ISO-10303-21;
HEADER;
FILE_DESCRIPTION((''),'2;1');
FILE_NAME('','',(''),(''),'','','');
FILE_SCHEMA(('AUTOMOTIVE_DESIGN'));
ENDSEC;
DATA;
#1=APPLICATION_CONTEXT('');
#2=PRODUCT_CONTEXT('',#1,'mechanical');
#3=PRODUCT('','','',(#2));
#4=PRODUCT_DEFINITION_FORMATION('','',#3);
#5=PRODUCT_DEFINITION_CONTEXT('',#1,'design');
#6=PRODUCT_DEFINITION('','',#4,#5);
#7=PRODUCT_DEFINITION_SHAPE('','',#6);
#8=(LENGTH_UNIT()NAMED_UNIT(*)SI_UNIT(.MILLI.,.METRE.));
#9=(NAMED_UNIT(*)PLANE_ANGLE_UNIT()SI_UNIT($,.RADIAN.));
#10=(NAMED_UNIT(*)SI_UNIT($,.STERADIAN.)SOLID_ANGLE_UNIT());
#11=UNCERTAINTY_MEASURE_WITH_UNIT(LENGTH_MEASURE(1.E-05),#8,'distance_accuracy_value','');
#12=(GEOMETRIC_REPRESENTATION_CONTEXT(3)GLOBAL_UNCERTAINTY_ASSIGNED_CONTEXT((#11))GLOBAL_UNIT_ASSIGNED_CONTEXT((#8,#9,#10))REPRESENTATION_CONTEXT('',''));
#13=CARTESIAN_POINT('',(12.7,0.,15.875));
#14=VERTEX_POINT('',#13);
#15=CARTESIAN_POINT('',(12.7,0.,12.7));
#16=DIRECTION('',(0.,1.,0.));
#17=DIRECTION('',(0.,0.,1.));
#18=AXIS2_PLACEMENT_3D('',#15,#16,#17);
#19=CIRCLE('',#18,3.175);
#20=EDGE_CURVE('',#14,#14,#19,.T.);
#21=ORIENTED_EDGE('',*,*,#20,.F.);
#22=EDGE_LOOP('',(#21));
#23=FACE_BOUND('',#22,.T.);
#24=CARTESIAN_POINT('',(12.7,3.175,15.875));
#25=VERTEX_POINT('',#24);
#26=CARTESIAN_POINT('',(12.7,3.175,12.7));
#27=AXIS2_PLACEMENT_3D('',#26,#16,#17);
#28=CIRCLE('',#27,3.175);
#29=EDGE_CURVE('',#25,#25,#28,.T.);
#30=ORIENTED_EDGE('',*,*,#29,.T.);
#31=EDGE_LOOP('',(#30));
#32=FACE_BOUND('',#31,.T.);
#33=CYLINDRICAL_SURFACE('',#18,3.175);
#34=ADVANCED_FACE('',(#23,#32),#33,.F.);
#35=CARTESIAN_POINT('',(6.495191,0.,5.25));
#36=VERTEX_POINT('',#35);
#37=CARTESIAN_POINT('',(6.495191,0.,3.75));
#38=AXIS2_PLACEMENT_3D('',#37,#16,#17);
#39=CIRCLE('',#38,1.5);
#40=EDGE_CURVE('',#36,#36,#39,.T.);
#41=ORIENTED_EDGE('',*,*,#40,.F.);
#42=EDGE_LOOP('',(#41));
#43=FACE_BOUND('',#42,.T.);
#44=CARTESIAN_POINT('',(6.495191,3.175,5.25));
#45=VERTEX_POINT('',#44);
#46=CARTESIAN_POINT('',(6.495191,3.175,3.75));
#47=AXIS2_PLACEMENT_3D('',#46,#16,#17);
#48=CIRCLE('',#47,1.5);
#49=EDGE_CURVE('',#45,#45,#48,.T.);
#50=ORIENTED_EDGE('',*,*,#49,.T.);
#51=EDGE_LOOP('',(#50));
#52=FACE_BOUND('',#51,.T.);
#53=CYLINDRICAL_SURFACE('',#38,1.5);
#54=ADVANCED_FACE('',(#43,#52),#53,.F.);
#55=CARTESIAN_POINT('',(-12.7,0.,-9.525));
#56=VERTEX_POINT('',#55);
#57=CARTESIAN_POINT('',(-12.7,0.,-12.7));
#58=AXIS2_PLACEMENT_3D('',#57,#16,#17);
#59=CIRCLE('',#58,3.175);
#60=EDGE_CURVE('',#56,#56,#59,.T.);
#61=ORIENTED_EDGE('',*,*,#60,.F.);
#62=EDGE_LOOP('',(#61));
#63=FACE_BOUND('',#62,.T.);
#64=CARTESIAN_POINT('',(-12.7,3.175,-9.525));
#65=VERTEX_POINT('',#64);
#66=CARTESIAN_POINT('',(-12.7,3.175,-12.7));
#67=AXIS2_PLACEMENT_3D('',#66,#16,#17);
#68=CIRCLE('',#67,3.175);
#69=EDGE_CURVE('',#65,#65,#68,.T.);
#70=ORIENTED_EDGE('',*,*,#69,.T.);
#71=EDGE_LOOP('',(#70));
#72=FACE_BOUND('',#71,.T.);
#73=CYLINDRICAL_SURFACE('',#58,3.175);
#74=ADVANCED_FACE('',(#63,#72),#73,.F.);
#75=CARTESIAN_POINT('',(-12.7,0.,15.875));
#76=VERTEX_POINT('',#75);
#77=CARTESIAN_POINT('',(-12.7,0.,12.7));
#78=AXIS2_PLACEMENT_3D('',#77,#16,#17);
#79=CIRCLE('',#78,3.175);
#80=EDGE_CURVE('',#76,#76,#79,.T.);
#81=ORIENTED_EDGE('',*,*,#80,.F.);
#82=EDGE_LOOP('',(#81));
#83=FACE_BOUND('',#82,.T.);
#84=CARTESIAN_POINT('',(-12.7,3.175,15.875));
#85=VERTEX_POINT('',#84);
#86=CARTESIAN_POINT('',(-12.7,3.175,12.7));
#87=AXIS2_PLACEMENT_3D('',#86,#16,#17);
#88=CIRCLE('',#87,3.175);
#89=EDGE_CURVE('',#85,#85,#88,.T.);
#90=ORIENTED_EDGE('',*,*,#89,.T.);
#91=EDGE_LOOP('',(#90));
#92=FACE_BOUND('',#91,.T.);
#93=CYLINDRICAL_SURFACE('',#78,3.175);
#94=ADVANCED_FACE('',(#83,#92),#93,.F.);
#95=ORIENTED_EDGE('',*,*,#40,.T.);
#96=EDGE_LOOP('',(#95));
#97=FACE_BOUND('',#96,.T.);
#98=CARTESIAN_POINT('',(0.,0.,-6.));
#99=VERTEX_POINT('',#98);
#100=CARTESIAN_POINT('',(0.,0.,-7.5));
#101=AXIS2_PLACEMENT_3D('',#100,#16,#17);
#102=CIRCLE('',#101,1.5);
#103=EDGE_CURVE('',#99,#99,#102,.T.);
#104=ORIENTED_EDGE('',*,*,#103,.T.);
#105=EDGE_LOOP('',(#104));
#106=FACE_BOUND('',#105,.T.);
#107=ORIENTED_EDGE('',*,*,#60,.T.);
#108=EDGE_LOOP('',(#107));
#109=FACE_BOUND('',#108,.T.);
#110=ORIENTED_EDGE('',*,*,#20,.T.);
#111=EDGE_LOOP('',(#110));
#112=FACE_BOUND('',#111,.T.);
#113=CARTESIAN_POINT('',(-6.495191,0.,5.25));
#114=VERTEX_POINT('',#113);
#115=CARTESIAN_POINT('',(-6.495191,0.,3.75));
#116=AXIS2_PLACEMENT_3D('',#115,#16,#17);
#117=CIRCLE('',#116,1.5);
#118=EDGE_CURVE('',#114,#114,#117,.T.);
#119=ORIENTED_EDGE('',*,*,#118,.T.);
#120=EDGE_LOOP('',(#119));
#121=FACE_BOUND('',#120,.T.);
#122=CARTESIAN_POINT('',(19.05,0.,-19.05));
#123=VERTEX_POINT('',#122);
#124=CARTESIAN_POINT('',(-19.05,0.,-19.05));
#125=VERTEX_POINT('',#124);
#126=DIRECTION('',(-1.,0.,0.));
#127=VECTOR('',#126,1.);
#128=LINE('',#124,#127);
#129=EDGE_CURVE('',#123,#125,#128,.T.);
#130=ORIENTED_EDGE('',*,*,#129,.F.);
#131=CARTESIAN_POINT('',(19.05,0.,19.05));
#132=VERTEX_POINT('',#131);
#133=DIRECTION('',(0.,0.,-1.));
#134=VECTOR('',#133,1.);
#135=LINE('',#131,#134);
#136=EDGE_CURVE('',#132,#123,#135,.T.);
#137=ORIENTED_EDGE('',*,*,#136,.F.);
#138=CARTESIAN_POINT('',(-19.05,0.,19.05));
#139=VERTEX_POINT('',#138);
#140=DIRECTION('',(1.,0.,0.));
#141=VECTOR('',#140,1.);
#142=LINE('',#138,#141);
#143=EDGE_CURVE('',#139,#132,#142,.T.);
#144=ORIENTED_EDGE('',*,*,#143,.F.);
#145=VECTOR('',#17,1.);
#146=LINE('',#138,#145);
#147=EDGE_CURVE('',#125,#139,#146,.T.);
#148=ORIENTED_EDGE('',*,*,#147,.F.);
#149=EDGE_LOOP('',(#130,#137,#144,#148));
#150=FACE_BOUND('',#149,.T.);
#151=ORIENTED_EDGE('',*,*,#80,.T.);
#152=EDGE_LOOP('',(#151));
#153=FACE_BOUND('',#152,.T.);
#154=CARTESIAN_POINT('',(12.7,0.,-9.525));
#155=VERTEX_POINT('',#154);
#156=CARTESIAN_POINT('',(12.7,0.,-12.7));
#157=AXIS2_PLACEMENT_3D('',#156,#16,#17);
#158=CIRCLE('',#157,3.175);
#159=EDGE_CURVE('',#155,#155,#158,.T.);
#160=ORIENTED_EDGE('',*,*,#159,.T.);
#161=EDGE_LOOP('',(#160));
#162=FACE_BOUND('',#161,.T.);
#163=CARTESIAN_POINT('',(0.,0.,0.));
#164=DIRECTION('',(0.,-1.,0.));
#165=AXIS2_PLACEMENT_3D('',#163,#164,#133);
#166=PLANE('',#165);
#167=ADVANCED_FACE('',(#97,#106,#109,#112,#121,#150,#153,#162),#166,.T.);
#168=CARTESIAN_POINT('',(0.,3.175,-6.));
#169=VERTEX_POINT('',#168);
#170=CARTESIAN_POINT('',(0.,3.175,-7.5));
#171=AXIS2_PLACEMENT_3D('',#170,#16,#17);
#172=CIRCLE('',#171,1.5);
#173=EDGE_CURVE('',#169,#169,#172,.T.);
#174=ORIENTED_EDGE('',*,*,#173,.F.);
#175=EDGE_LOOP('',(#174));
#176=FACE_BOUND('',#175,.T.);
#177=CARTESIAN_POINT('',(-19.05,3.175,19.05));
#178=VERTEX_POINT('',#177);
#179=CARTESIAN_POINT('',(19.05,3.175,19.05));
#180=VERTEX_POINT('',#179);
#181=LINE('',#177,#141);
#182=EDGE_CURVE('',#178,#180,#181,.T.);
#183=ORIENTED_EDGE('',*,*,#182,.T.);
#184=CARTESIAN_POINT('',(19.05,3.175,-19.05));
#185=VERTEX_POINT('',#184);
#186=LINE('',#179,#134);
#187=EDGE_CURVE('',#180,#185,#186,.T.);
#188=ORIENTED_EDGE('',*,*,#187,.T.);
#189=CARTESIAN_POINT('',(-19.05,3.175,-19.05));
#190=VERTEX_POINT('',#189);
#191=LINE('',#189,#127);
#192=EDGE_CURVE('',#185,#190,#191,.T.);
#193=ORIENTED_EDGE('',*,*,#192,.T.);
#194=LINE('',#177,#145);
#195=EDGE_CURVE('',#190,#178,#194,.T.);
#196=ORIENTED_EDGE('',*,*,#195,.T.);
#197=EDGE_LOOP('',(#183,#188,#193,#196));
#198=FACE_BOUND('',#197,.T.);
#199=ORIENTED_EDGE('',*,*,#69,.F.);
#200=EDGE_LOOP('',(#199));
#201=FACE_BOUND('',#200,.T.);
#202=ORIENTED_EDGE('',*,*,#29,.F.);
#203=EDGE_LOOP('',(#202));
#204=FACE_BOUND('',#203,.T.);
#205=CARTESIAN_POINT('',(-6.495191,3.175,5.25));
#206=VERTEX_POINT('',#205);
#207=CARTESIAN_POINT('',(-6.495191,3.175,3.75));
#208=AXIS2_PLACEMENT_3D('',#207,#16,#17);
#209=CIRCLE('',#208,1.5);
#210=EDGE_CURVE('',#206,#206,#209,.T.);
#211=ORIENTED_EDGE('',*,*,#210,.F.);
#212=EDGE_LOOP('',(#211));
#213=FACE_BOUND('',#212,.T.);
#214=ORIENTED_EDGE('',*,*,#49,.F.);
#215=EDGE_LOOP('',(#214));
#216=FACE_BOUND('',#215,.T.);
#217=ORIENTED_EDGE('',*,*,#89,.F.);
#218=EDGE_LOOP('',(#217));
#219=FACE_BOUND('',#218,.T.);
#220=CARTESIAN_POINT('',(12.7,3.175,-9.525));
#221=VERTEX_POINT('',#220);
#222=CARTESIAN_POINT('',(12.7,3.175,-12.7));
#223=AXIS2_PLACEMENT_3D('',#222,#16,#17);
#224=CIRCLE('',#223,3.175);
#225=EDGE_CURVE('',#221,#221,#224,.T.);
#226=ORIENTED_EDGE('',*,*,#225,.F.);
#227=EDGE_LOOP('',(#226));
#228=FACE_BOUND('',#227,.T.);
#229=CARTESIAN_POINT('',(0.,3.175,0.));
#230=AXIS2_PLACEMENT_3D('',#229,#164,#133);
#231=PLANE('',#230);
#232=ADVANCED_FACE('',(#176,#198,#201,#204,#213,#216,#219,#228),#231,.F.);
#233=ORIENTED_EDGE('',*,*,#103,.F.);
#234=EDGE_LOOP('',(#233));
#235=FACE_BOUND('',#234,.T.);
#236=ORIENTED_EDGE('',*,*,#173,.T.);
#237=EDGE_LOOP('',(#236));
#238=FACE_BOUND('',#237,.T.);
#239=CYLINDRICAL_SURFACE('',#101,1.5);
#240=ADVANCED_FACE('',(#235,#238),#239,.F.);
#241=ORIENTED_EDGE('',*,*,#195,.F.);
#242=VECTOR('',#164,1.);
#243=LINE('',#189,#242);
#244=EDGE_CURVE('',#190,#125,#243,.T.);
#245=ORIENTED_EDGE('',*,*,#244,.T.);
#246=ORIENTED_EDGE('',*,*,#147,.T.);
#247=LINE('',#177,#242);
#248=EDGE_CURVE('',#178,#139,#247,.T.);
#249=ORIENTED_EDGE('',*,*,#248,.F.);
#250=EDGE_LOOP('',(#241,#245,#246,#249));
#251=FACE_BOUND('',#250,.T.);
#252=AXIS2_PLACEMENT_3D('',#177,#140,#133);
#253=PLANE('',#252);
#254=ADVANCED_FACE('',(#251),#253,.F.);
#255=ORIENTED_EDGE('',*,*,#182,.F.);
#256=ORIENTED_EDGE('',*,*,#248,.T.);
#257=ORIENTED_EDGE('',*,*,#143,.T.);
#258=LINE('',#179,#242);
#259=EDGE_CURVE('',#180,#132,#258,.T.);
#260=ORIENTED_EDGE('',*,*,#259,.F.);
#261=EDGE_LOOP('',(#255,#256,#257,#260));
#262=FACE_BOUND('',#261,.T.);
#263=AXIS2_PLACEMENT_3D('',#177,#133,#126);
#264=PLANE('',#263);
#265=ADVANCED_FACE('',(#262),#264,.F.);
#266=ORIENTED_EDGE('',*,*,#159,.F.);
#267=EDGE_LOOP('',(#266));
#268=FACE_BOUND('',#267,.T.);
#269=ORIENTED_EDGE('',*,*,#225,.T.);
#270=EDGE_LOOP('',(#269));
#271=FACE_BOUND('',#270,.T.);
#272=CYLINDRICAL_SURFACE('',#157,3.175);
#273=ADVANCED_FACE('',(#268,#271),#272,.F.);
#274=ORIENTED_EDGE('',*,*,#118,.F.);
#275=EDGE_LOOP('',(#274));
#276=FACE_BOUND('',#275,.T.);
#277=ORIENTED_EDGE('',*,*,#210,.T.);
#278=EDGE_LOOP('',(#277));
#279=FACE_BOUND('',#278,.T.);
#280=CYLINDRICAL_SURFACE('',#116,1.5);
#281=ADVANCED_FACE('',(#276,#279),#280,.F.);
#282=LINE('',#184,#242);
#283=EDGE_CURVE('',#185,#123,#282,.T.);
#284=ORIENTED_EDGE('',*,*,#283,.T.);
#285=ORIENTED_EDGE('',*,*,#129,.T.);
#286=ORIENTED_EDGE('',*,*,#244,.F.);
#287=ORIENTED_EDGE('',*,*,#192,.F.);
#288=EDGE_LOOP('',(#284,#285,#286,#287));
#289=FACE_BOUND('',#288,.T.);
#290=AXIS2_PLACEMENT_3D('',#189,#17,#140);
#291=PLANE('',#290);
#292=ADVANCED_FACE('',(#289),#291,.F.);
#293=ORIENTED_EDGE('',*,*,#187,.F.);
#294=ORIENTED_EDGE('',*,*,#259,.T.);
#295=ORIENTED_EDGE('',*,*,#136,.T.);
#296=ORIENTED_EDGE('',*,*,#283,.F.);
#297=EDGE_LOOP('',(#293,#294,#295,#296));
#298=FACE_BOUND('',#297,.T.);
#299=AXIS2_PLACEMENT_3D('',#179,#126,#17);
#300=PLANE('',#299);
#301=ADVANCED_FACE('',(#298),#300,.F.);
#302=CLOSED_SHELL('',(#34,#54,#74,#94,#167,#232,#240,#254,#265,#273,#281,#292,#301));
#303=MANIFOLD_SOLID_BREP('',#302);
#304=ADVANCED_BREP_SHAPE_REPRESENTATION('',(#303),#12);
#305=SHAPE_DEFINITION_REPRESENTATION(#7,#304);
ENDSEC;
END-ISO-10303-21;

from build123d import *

# Parameters (mm, degrees)
SKETCH1_W           = 38.1
SKETCH1_H           = 38.1
BOSS_EXTRUDE1_DEPTH = 3.175
SKETCH2_R           = 1.5
CUT_EXTRUDE1_DEPTH  = 4.175
SKETCH3_R           = 3.175
CUT_EXTRUDE2_DEPTH  = 4.175


with BuildPart() as part:
    # Sketch1 → Boss-Extrude1 (new body)
    with BuildSketch(Plane(origin=(0, 0, 0), x_dir=(1, 0, 0), z_dir=(0, 1, 0))):
        Rectangle(SKETCH1_W, SKETCH1_H)
    extrude(amount=BOSS_EXTRUDE1_DEPTH)

    # Sketch2 → Cut-Extrude1 (cut, through all)
    with BuildSketch(Plane(origin=(0, 3.175, 0), x_dir=(1, 0, 0), z_dir=(0, 1, 0))):
        with Locations((0, 7.5)):
            Circle(SKETCH2_R)
        with Locations((6.495190528, -3.75)):
            Circle(SKETCH2_R)
        with Locations((-6.495190528, -3.75)):
            Circle(SKETCH2_R)
    extrude(amount=-CUT_EXTRUDE1_DEPTH, mode=Mode.SUBTRACT)

    # Sketch3 → Cut-Extrude2 (cut, through all)
    with BuildSketch(Plane(origin=(0, 3.175, 0), x_dir=(1, 0, 0), z_dir=(0, 1, 0))):
        with Locations((-12.7, 12.7)):
            Circle(SKETCH3_R)
        with Locations((-12.7, -12.7)):
            Circle(SKETCH3_R)
        with Locations((12.7, -12.7)):
            Circle(SKETCH3_R)
        with Locations((12.7, 12.7)):
            Circle(SKETCH3_R)
    extrude(amount=-CUT_EXTRUDE2_DEPTH, mode=Mode.SUBTRACT)


solid = part.part
